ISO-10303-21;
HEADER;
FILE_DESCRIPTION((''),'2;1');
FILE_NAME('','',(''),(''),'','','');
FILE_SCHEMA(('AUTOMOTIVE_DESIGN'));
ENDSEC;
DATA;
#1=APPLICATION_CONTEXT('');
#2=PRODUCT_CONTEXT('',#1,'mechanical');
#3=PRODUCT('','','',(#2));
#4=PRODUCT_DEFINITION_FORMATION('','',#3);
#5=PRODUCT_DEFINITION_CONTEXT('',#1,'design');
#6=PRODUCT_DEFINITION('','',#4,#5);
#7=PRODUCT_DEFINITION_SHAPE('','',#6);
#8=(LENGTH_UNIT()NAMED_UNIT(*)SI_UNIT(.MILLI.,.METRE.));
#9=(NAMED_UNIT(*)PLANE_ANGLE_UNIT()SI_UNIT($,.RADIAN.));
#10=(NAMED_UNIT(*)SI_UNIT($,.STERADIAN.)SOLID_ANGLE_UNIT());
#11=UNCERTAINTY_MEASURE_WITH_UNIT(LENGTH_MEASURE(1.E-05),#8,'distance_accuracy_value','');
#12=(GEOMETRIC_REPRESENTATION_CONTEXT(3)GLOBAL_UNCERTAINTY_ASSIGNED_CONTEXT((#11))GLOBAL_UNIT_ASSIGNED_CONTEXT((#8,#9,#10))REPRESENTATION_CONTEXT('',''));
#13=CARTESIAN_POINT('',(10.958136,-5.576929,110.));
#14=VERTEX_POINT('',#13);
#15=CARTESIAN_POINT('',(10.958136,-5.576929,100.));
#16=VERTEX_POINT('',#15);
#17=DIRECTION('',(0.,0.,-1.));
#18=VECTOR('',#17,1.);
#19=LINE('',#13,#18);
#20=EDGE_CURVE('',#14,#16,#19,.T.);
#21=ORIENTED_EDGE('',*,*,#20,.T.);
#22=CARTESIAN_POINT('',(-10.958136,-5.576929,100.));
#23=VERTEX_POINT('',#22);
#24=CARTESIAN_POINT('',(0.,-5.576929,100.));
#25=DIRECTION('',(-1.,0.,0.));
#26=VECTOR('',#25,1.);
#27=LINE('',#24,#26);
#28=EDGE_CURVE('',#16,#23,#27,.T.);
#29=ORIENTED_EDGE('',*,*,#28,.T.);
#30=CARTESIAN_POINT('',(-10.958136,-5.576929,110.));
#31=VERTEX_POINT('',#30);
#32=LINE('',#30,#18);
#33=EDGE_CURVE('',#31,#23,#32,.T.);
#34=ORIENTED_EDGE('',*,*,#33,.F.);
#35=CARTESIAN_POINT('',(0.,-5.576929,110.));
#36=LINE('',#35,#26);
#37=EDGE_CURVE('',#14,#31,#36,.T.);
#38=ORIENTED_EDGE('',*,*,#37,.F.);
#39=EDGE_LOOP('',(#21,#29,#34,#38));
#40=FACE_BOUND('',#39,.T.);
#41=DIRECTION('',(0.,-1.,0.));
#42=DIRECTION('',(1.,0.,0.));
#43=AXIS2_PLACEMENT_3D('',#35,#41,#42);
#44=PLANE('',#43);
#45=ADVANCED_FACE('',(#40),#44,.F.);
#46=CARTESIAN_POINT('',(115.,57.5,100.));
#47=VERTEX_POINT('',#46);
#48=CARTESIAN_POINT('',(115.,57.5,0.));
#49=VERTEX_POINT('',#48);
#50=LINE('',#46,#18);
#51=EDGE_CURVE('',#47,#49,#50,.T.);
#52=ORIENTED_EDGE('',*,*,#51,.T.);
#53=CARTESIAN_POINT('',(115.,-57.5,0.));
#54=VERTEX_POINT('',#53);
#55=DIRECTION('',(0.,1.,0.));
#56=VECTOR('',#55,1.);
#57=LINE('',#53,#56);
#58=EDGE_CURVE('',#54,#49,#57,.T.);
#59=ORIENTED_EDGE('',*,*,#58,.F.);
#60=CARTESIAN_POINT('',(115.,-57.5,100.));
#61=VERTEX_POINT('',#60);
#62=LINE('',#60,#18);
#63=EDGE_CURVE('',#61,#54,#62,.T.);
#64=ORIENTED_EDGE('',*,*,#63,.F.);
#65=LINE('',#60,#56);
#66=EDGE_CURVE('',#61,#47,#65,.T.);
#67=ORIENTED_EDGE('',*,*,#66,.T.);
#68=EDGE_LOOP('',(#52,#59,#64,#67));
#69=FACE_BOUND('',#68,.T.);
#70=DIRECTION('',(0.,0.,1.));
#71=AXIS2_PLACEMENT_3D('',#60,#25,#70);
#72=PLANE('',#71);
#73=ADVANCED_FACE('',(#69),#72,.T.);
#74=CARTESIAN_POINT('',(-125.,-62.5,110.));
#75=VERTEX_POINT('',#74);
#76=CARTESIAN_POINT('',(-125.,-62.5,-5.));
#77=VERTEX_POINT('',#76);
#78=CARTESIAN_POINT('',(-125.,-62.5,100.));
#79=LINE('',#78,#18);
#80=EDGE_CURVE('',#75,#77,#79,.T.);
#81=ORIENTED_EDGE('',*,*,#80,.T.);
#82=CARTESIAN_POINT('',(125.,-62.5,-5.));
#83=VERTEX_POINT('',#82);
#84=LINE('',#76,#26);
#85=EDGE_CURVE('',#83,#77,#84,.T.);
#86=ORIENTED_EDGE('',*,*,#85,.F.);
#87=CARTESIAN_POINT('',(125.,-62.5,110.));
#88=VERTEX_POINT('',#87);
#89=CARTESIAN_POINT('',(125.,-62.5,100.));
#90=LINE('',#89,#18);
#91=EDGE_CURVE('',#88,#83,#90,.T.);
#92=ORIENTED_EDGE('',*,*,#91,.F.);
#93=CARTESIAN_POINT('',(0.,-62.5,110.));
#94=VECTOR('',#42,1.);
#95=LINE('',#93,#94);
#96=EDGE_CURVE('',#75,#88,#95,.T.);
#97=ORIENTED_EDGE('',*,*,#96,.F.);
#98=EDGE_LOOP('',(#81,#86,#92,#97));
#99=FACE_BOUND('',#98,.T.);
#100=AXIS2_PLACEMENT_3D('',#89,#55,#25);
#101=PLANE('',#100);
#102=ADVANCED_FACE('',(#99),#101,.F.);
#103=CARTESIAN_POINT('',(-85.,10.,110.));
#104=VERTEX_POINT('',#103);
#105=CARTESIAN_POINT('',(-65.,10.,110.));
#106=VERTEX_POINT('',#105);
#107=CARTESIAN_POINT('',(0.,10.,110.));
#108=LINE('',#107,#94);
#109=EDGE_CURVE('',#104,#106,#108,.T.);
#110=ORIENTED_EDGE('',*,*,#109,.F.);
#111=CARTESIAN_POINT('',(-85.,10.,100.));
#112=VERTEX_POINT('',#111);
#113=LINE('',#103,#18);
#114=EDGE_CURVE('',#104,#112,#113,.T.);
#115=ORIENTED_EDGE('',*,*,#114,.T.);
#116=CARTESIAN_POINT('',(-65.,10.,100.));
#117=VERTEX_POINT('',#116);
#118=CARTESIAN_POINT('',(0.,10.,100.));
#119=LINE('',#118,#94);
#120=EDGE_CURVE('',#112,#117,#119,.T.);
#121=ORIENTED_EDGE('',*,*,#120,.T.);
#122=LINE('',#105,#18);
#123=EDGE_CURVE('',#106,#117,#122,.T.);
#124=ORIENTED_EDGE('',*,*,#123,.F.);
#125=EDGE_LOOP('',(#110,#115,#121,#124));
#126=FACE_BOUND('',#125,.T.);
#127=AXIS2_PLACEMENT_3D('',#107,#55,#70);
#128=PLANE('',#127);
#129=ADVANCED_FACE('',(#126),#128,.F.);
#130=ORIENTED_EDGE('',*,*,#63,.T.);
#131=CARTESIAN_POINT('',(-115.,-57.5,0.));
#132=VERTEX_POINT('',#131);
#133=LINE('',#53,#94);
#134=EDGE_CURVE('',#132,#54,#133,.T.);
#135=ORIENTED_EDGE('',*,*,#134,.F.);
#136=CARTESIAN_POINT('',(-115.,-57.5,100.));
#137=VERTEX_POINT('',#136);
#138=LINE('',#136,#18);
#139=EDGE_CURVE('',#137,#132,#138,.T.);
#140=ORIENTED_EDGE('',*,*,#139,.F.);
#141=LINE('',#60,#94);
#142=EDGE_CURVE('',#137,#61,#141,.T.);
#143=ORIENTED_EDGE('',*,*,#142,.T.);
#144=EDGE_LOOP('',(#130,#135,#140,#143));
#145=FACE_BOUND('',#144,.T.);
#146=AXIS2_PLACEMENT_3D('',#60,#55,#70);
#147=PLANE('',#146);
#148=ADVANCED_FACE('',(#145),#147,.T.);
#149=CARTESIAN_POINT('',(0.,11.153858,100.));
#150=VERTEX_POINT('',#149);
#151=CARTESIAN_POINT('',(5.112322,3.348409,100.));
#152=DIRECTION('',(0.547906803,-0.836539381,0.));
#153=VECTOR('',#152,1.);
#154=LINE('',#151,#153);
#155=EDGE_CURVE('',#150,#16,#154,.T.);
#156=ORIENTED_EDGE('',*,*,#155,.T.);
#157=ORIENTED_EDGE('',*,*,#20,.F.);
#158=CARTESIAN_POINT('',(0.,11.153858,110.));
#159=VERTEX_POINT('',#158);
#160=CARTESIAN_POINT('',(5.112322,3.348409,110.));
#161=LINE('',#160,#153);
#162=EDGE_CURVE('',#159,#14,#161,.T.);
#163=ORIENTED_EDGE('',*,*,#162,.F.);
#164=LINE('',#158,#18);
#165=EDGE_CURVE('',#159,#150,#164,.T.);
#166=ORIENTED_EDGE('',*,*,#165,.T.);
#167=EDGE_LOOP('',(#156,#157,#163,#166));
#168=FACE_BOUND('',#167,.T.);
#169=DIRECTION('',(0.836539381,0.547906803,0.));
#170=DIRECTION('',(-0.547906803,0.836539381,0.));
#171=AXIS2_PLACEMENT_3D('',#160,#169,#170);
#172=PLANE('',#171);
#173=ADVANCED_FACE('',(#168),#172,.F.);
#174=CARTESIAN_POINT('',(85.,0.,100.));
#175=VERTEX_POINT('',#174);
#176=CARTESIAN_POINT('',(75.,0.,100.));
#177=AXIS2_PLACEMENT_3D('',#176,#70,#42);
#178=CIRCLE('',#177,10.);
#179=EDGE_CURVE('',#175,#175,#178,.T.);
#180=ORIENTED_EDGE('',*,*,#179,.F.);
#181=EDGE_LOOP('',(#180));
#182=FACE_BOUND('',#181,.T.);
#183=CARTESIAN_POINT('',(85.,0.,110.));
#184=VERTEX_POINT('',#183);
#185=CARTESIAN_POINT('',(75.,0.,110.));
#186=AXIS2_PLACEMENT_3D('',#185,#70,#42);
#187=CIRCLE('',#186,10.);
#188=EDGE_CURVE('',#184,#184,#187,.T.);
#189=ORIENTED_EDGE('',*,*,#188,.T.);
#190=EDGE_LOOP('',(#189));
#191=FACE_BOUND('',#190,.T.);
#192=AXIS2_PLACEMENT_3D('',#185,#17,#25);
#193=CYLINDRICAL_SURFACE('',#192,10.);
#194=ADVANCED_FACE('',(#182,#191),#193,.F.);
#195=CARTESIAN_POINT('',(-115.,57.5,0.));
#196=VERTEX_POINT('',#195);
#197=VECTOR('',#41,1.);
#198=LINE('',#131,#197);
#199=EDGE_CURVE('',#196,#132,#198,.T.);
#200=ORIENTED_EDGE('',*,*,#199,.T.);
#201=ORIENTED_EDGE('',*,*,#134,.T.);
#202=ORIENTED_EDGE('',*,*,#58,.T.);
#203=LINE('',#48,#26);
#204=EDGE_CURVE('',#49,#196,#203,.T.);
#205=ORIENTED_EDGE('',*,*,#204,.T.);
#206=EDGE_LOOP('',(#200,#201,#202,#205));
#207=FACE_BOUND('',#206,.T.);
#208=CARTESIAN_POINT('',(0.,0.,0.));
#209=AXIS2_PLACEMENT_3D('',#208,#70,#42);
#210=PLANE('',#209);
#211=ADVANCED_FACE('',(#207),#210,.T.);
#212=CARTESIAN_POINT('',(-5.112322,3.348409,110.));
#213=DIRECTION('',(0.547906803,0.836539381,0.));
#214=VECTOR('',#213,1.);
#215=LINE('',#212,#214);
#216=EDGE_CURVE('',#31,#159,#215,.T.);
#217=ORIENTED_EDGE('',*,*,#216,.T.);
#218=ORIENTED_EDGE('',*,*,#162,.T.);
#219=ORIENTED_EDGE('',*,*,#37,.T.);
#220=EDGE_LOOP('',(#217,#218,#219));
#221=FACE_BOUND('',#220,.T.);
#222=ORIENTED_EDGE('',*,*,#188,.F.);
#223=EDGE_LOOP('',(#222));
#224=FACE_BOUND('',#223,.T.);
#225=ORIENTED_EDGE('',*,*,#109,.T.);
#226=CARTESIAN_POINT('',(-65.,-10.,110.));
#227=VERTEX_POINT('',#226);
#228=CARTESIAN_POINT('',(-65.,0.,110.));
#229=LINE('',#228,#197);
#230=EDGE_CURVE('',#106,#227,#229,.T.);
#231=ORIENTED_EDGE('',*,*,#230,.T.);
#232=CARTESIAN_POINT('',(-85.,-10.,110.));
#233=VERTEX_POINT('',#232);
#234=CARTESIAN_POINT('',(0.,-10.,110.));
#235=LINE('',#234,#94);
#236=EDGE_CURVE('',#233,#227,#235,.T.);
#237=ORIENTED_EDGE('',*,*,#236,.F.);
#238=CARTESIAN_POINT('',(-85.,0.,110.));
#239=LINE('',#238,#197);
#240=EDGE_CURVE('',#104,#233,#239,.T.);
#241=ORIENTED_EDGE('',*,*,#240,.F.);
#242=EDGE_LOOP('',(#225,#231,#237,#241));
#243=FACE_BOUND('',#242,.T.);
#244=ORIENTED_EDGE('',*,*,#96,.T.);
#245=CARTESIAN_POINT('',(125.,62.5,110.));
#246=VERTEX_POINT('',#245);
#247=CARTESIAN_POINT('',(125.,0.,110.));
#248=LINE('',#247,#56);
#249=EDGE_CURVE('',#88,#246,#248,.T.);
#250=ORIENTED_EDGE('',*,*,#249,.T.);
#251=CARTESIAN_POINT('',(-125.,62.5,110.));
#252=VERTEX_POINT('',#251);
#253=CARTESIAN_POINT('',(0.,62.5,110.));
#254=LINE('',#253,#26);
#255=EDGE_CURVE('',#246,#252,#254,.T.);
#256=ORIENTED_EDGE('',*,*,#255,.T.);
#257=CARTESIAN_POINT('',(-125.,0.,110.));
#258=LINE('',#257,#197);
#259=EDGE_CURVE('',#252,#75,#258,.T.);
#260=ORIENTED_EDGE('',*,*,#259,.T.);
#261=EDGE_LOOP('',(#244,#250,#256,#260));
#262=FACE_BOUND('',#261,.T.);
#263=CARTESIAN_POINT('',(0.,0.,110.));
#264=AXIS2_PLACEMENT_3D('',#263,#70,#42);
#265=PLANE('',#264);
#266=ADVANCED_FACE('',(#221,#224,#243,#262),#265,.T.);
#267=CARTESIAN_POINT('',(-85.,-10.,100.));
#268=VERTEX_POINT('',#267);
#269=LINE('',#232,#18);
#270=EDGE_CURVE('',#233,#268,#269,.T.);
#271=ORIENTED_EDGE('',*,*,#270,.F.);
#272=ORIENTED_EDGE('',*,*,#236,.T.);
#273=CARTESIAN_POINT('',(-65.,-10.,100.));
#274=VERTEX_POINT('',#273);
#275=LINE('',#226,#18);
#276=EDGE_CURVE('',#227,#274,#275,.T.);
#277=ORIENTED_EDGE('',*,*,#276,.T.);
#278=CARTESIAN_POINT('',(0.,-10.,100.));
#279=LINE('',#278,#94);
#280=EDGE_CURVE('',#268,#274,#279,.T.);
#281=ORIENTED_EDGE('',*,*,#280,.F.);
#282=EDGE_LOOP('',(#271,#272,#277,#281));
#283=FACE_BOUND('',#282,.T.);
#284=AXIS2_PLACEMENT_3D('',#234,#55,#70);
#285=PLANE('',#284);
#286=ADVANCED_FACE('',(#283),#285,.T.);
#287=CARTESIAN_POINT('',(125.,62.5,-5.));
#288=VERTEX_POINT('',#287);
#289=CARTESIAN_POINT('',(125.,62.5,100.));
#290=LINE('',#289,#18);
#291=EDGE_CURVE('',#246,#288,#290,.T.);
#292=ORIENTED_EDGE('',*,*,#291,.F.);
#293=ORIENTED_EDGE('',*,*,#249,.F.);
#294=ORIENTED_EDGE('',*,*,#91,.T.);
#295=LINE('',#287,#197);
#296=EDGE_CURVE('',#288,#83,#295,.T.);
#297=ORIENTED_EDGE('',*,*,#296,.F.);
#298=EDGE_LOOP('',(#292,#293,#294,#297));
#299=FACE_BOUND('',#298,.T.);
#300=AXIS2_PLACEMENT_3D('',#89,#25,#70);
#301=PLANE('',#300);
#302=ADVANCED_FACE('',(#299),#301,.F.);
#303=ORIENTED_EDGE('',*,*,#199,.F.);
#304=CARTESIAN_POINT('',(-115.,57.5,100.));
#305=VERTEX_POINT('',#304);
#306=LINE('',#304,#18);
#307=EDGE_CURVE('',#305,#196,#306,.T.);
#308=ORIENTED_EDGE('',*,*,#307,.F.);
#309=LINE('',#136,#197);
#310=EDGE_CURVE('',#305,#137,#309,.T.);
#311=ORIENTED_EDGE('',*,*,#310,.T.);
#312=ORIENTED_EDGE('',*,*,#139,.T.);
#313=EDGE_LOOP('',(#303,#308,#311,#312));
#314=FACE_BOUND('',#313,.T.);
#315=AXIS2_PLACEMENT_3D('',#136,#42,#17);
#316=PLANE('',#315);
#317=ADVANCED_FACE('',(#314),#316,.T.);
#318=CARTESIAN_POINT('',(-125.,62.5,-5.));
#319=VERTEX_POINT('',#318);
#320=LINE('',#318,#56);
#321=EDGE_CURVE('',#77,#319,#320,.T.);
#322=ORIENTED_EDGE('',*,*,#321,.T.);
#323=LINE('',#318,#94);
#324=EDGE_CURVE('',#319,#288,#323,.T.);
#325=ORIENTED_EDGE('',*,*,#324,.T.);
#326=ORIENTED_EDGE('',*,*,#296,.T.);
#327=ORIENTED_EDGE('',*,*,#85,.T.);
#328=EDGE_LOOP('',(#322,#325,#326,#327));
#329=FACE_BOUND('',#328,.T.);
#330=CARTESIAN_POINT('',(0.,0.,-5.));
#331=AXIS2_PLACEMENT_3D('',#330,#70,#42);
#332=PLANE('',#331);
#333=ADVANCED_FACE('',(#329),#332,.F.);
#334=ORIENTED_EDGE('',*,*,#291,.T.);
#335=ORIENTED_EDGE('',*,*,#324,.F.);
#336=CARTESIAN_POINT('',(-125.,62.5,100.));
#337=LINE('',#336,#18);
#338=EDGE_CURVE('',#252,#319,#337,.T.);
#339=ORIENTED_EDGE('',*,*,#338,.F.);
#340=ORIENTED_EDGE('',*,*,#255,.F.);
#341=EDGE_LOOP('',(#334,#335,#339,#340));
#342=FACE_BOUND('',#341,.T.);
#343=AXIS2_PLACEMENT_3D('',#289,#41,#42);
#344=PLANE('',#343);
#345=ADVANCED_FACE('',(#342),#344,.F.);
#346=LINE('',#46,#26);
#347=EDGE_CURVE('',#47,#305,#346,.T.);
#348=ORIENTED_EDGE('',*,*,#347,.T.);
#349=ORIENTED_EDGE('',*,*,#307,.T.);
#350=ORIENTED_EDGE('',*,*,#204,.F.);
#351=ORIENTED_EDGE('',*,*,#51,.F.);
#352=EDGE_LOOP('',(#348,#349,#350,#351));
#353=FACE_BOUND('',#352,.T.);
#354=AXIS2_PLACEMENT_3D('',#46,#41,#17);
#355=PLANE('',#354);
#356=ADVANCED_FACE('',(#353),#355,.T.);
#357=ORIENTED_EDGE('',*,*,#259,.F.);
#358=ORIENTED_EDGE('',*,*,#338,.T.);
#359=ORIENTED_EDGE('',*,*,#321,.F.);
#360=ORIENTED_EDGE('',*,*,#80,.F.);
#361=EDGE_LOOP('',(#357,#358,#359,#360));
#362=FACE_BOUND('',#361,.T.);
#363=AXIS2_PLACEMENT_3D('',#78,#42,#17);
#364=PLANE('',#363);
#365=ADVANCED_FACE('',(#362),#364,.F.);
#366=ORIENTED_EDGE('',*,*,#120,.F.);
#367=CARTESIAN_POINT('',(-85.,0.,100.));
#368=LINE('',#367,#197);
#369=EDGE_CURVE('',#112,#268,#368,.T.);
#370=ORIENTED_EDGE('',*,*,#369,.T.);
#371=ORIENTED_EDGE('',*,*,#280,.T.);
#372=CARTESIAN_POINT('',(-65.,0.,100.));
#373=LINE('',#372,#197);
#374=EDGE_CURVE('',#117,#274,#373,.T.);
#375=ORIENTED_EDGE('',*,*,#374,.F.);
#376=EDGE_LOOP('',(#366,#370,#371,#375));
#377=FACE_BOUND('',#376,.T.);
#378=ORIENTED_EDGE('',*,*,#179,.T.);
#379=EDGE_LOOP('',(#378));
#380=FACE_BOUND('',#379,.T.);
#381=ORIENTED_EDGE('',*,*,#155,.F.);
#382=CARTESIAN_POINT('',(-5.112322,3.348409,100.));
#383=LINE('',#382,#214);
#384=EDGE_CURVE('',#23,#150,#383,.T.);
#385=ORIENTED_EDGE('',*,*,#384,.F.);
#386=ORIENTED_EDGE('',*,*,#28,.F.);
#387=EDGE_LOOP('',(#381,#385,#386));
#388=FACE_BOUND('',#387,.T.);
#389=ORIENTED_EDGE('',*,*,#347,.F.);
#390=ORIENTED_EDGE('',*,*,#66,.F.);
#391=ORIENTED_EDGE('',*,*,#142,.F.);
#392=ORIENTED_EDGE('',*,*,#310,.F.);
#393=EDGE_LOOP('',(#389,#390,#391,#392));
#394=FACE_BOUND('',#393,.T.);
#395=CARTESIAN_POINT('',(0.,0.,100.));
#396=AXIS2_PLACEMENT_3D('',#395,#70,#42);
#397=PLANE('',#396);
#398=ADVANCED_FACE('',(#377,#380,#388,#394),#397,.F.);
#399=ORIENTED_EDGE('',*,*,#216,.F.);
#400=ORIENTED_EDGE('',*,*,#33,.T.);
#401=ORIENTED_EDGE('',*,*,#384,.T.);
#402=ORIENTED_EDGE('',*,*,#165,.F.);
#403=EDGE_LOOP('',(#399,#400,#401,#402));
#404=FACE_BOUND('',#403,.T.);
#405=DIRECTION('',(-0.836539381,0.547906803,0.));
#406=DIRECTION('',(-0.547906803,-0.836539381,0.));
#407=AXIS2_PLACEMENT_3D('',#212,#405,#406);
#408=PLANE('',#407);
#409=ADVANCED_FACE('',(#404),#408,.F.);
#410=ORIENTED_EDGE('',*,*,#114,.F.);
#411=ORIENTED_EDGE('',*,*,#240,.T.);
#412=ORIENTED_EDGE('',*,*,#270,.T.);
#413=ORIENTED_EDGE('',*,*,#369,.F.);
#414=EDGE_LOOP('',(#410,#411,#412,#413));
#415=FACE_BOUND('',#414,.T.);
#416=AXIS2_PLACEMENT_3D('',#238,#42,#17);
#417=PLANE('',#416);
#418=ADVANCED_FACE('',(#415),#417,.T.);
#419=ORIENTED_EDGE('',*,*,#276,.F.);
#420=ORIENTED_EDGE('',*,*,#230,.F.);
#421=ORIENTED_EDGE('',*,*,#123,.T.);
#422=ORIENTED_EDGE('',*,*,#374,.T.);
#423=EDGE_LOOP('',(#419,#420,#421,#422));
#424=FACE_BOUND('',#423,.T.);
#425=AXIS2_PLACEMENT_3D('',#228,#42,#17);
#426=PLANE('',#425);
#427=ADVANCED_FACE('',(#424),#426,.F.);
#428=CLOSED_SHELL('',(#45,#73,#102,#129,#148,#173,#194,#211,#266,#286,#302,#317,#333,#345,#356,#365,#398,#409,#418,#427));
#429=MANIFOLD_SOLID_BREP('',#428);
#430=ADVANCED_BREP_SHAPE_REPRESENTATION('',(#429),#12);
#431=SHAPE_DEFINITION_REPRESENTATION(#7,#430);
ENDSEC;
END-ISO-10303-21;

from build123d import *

# Parameters (mm, degrees)
SKETCH1_W           = 250
SKETCH1_H           = 125
SKETCH1_W_2         = 230
SKETCH1_H_2         = 115
BOSS_EXTRUDE1_DEPTH = 100
SKETCH2_W           = 250
SKETCH2_H           = 125
BOSS_EXTRUDE2_DEPTH = 5
SKETCH3_W           = 250
SKETCH3_H           = 125
SKETCH3_W_2         = 230
SKETCH3_H_2         = 115
SKETCH3_R           = 10
SKETCH3_W_3         = 20
SKETCH3_H_3         = 20
BOSS_EXTRUDE4_DEPTH = 10


with BuildPart() as part:
    # Sketch1 → Boss-Extrude1 (new body)
    with BuildSketch(Plane.XY):
        Rectangle(SKETCH1_W, SKETCH1_H)
        Rectangle(SKETCH1_W_2, SKETCH1_H_2, mode=Mode.SUBTRACT)
    extrude(amount=BOSS_EXTRUDE1_DEPTH)

    # Sketch2 → Boss-Extrude2 (add)
    with BuildSketch(Plane(origin=(0, 0, 0), x_dir=(-1, 0, 0), z_dir=(0, 0, -1))):
        Rectangle(SKETCH2_W, SKETCH2_H)
    extrude(amount=BOSS_EXTRUDE2_DEPTH)

    # Sketch3 → Boss-Extrude4 (add)
    # profile 1 of 2: a face of its own
    with BuildSketch(Plane.XY.offset(100)):
        Rectangle(SKETCH3_W, SKETCH3_H)
        Rectangle(SKETCH3_W_2, SKETCH3_H_2, mode=Mode.SUBTRACT)
    # profile 2 of 2: a face of its own
    with BuildSketch(Plane.XY.offset(100)):
        Rectangle(SKETCH3_W_2, SKETCH3_H_2)
        with Locations((75, 0)):
            Circle(SKETCH3_R, mode=Mode.SUBTRACT)
        with Locations((-75, 0)):
            Rectangle(SKETCH3_W_3, SKETCH3_H_3, mode=Mode.SUBTRACT)
        Polygon((0, 11.153858408), (10.958136059, -5.576929204), (-10.958136059, -5.576929204), align=None, mode=Mode.SUBTRACT)
    extrude(amount=BOSS_EXTRUDE4_DEPTH)


solid = part.part
